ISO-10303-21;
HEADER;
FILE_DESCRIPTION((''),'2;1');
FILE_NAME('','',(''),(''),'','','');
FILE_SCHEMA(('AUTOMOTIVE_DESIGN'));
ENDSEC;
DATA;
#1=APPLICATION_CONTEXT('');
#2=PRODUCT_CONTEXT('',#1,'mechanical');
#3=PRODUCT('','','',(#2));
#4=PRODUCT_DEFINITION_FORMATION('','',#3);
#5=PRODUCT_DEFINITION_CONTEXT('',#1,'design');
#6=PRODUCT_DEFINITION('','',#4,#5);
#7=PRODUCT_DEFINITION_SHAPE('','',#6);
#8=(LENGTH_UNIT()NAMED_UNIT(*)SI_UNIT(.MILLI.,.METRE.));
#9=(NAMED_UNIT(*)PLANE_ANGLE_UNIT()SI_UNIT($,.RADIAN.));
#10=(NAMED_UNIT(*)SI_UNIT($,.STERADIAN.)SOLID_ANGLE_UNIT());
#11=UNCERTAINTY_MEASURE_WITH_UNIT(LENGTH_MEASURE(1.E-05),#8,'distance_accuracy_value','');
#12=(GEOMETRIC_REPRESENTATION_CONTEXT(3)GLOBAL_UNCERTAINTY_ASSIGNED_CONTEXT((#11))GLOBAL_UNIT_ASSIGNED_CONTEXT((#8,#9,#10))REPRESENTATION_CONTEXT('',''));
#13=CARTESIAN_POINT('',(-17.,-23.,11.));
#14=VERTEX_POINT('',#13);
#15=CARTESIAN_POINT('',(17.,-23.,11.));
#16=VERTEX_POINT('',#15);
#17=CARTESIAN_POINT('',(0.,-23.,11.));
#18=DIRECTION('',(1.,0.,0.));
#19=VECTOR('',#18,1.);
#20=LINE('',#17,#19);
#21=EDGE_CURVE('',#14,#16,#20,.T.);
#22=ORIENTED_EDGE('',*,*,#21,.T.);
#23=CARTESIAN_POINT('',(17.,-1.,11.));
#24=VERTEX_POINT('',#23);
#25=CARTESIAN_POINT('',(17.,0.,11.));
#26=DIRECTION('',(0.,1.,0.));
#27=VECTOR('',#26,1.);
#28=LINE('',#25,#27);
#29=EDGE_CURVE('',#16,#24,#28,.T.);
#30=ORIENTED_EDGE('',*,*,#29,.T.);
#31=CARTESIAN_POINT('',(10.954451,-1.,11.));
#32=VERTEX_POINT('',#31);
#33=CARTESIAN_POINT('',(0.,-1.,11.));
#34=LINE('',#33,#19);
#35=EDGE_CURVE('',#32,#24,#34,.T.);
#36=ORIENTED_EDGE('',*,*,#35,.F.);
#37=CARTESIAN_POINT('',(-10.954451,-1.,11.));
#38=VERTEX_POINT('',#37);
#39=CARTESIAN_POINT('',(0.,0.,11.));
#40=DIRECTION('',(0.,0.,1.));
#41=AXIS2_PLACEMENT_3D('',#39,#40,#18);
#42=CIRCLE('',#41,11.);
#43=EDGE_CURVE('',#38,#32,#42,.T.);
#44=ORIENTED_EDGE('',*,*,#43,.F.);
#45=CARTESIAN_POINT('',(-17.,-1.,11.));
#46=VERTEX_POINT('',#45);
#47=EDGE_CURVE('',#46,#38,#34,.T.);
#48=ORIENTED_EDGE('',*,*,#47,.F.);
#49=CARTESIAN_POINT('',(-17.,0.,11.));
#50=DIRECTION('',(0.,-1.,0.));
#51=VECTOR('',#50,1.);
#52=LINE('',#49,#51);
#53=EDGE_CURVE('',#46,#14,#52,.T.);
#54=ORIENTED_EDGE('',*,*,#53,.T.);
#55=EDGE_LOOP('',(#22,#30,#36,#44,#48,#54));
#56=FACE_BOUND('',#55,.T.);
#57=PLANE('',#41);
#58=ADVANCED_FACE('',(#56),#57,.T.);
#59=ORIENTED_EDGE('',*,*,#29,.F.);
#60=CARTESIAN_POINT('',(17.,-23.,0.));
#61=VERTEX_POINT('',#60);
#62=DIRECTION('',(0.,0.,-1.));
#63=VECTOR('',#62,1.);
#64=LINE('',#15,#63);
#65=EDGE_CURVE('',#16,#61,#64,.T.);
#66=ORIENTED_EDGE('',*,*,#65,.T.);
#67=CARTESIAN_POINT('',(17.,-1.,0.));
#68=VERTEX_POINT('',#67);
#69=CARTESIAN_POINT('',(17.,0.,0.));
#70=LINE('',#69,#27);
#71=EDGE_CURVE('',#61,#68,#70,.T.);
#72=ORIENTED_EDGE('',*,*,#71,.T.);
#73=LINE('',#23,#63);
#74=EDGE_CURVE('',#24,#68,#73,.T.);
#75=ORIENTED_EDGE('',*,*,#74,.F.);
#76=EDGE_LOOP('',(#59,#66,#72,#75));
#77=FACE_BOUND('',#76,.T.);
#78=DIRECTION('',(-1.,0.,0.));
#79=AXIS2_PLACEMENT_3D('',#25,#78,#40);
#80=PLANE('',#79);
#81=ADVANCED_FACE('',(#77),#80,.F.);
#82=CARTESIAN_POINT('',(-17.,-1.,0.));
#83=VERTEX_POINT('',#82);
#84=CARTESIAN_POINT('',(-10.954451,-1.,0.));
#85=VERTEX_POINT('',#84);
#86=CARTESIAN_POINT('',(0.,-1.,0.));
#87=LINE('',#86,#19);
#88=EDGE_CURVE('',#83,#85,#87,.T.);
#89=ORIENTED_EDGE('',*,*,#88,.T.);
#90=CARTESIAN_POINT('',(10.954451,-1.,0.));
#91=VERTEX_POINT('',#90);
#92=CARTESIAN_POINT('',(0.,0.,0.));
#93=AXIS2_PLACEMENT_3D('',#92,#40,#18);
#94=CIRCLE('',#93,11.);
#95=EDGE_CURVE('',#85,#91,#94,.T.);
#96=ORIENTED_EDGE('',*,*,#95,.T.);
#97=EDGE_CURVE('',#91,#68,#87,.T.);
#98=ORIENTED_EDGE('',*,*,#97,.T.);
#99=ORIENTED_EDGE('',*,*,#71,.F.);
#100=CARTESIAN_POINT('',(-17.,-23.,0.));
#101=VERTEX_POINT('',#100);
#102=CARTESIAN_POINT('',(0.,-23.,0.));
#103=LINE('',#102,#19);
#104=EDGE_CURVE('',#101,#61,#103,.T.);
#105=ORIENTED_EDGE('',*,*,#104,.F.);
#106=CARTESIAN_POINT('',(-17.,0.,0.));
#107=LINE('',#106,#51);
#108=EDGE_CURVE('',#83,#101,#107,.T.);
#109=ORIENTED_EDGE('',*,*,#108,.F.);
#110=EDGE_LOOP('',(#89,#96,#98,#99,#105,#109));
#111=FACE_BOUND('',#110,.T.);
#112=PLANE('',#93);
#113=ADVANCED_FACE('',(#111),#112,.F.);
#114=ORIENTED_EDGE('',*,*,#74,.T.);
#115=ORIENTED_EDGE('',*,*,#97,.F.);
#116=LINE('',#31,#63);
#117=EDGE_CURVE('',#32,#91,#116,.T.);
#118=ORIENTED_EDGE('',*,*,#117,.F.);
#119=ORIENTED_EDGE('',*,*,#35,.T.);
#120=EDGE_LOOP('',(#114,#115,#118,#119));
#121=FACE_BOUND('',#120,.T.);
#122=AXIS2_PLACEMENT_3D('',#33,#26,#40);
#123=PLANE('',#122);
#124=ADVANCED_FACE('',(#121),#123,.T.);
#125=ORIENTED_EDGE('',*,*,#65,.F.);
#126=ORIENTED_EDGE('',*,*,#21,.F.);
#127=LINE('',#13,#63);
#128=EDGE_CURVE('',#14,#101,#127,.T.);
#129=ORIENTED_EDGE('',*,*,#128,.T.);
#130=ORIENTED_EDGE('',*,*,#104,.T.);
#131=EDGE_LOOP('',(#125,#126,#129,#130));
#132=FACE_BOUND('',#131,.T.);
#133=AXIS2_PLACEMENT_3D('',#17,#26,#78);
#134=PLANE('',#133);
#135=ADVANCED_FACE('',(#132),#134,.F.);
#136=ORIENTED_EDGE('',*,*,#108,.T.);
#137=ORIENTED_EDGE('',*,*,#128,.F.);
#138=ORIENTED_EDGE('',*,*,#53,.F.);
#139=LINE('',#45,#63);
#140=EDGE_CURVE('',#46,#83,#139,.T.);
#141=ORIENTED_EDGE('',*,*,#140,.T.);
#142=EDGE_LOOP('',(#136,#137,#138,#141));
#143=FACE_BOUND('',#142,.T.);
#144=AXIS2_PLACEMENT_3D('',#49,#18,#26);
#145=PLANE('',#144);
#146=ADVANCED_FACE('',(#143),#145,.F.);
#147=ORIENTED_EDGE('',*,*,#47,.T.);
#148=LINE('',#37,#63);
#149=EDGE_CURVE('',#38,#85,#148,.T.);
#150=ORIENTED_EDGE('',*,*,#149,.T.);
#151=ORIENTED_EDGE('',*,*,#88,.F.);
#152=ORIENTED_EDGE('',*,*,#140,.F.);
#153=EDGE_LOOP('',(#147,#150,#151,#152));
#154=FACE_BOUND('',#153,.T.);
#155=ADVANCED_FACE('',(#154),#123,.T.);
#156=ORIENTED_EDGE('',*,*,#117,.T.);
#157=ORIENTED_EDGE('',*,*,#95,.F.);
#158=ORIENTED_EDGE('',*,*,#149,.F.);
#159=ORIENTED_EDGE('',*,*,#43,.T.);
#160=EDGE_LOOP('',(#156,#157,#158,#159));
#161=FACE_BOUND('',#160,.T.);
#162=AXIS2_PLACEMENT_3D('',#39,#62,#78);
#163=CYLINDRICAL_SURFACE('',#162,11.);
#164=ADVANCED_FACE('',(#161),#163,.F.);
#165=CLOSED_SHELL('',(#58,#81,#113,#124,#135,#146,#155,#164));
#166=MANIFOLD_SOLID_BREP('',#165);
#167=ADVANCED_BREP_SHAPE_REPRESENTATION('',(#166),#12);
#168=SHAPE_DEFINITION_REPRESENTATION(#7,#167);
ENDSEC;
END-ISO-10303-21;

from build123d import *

# Parameters (mm, degrees)
BOSS_EXTRUDE1_DEPTH = 11


with BuildPart() as part:
    # Sketch1 → Boss-Extrude1 (new body)
    with BuildSketch(Plane.XY):
        with BuildLine():
            Line((-10.95445115, -1), (-17, -1))
            Line((-17, -1), (-17, -23))
            Line((-17, -23), (17, -23))
            Line((17, -23), (17, -1))
            Line((17, -1), (10.95445115, -1))
            ThreePointArc((10.95445115, -1), (0, -11), (-10.95445115, -1))
        make_face()
    extrude(amount=BOSS_EXTRUDE1_DEPTH)


solid = part.part
